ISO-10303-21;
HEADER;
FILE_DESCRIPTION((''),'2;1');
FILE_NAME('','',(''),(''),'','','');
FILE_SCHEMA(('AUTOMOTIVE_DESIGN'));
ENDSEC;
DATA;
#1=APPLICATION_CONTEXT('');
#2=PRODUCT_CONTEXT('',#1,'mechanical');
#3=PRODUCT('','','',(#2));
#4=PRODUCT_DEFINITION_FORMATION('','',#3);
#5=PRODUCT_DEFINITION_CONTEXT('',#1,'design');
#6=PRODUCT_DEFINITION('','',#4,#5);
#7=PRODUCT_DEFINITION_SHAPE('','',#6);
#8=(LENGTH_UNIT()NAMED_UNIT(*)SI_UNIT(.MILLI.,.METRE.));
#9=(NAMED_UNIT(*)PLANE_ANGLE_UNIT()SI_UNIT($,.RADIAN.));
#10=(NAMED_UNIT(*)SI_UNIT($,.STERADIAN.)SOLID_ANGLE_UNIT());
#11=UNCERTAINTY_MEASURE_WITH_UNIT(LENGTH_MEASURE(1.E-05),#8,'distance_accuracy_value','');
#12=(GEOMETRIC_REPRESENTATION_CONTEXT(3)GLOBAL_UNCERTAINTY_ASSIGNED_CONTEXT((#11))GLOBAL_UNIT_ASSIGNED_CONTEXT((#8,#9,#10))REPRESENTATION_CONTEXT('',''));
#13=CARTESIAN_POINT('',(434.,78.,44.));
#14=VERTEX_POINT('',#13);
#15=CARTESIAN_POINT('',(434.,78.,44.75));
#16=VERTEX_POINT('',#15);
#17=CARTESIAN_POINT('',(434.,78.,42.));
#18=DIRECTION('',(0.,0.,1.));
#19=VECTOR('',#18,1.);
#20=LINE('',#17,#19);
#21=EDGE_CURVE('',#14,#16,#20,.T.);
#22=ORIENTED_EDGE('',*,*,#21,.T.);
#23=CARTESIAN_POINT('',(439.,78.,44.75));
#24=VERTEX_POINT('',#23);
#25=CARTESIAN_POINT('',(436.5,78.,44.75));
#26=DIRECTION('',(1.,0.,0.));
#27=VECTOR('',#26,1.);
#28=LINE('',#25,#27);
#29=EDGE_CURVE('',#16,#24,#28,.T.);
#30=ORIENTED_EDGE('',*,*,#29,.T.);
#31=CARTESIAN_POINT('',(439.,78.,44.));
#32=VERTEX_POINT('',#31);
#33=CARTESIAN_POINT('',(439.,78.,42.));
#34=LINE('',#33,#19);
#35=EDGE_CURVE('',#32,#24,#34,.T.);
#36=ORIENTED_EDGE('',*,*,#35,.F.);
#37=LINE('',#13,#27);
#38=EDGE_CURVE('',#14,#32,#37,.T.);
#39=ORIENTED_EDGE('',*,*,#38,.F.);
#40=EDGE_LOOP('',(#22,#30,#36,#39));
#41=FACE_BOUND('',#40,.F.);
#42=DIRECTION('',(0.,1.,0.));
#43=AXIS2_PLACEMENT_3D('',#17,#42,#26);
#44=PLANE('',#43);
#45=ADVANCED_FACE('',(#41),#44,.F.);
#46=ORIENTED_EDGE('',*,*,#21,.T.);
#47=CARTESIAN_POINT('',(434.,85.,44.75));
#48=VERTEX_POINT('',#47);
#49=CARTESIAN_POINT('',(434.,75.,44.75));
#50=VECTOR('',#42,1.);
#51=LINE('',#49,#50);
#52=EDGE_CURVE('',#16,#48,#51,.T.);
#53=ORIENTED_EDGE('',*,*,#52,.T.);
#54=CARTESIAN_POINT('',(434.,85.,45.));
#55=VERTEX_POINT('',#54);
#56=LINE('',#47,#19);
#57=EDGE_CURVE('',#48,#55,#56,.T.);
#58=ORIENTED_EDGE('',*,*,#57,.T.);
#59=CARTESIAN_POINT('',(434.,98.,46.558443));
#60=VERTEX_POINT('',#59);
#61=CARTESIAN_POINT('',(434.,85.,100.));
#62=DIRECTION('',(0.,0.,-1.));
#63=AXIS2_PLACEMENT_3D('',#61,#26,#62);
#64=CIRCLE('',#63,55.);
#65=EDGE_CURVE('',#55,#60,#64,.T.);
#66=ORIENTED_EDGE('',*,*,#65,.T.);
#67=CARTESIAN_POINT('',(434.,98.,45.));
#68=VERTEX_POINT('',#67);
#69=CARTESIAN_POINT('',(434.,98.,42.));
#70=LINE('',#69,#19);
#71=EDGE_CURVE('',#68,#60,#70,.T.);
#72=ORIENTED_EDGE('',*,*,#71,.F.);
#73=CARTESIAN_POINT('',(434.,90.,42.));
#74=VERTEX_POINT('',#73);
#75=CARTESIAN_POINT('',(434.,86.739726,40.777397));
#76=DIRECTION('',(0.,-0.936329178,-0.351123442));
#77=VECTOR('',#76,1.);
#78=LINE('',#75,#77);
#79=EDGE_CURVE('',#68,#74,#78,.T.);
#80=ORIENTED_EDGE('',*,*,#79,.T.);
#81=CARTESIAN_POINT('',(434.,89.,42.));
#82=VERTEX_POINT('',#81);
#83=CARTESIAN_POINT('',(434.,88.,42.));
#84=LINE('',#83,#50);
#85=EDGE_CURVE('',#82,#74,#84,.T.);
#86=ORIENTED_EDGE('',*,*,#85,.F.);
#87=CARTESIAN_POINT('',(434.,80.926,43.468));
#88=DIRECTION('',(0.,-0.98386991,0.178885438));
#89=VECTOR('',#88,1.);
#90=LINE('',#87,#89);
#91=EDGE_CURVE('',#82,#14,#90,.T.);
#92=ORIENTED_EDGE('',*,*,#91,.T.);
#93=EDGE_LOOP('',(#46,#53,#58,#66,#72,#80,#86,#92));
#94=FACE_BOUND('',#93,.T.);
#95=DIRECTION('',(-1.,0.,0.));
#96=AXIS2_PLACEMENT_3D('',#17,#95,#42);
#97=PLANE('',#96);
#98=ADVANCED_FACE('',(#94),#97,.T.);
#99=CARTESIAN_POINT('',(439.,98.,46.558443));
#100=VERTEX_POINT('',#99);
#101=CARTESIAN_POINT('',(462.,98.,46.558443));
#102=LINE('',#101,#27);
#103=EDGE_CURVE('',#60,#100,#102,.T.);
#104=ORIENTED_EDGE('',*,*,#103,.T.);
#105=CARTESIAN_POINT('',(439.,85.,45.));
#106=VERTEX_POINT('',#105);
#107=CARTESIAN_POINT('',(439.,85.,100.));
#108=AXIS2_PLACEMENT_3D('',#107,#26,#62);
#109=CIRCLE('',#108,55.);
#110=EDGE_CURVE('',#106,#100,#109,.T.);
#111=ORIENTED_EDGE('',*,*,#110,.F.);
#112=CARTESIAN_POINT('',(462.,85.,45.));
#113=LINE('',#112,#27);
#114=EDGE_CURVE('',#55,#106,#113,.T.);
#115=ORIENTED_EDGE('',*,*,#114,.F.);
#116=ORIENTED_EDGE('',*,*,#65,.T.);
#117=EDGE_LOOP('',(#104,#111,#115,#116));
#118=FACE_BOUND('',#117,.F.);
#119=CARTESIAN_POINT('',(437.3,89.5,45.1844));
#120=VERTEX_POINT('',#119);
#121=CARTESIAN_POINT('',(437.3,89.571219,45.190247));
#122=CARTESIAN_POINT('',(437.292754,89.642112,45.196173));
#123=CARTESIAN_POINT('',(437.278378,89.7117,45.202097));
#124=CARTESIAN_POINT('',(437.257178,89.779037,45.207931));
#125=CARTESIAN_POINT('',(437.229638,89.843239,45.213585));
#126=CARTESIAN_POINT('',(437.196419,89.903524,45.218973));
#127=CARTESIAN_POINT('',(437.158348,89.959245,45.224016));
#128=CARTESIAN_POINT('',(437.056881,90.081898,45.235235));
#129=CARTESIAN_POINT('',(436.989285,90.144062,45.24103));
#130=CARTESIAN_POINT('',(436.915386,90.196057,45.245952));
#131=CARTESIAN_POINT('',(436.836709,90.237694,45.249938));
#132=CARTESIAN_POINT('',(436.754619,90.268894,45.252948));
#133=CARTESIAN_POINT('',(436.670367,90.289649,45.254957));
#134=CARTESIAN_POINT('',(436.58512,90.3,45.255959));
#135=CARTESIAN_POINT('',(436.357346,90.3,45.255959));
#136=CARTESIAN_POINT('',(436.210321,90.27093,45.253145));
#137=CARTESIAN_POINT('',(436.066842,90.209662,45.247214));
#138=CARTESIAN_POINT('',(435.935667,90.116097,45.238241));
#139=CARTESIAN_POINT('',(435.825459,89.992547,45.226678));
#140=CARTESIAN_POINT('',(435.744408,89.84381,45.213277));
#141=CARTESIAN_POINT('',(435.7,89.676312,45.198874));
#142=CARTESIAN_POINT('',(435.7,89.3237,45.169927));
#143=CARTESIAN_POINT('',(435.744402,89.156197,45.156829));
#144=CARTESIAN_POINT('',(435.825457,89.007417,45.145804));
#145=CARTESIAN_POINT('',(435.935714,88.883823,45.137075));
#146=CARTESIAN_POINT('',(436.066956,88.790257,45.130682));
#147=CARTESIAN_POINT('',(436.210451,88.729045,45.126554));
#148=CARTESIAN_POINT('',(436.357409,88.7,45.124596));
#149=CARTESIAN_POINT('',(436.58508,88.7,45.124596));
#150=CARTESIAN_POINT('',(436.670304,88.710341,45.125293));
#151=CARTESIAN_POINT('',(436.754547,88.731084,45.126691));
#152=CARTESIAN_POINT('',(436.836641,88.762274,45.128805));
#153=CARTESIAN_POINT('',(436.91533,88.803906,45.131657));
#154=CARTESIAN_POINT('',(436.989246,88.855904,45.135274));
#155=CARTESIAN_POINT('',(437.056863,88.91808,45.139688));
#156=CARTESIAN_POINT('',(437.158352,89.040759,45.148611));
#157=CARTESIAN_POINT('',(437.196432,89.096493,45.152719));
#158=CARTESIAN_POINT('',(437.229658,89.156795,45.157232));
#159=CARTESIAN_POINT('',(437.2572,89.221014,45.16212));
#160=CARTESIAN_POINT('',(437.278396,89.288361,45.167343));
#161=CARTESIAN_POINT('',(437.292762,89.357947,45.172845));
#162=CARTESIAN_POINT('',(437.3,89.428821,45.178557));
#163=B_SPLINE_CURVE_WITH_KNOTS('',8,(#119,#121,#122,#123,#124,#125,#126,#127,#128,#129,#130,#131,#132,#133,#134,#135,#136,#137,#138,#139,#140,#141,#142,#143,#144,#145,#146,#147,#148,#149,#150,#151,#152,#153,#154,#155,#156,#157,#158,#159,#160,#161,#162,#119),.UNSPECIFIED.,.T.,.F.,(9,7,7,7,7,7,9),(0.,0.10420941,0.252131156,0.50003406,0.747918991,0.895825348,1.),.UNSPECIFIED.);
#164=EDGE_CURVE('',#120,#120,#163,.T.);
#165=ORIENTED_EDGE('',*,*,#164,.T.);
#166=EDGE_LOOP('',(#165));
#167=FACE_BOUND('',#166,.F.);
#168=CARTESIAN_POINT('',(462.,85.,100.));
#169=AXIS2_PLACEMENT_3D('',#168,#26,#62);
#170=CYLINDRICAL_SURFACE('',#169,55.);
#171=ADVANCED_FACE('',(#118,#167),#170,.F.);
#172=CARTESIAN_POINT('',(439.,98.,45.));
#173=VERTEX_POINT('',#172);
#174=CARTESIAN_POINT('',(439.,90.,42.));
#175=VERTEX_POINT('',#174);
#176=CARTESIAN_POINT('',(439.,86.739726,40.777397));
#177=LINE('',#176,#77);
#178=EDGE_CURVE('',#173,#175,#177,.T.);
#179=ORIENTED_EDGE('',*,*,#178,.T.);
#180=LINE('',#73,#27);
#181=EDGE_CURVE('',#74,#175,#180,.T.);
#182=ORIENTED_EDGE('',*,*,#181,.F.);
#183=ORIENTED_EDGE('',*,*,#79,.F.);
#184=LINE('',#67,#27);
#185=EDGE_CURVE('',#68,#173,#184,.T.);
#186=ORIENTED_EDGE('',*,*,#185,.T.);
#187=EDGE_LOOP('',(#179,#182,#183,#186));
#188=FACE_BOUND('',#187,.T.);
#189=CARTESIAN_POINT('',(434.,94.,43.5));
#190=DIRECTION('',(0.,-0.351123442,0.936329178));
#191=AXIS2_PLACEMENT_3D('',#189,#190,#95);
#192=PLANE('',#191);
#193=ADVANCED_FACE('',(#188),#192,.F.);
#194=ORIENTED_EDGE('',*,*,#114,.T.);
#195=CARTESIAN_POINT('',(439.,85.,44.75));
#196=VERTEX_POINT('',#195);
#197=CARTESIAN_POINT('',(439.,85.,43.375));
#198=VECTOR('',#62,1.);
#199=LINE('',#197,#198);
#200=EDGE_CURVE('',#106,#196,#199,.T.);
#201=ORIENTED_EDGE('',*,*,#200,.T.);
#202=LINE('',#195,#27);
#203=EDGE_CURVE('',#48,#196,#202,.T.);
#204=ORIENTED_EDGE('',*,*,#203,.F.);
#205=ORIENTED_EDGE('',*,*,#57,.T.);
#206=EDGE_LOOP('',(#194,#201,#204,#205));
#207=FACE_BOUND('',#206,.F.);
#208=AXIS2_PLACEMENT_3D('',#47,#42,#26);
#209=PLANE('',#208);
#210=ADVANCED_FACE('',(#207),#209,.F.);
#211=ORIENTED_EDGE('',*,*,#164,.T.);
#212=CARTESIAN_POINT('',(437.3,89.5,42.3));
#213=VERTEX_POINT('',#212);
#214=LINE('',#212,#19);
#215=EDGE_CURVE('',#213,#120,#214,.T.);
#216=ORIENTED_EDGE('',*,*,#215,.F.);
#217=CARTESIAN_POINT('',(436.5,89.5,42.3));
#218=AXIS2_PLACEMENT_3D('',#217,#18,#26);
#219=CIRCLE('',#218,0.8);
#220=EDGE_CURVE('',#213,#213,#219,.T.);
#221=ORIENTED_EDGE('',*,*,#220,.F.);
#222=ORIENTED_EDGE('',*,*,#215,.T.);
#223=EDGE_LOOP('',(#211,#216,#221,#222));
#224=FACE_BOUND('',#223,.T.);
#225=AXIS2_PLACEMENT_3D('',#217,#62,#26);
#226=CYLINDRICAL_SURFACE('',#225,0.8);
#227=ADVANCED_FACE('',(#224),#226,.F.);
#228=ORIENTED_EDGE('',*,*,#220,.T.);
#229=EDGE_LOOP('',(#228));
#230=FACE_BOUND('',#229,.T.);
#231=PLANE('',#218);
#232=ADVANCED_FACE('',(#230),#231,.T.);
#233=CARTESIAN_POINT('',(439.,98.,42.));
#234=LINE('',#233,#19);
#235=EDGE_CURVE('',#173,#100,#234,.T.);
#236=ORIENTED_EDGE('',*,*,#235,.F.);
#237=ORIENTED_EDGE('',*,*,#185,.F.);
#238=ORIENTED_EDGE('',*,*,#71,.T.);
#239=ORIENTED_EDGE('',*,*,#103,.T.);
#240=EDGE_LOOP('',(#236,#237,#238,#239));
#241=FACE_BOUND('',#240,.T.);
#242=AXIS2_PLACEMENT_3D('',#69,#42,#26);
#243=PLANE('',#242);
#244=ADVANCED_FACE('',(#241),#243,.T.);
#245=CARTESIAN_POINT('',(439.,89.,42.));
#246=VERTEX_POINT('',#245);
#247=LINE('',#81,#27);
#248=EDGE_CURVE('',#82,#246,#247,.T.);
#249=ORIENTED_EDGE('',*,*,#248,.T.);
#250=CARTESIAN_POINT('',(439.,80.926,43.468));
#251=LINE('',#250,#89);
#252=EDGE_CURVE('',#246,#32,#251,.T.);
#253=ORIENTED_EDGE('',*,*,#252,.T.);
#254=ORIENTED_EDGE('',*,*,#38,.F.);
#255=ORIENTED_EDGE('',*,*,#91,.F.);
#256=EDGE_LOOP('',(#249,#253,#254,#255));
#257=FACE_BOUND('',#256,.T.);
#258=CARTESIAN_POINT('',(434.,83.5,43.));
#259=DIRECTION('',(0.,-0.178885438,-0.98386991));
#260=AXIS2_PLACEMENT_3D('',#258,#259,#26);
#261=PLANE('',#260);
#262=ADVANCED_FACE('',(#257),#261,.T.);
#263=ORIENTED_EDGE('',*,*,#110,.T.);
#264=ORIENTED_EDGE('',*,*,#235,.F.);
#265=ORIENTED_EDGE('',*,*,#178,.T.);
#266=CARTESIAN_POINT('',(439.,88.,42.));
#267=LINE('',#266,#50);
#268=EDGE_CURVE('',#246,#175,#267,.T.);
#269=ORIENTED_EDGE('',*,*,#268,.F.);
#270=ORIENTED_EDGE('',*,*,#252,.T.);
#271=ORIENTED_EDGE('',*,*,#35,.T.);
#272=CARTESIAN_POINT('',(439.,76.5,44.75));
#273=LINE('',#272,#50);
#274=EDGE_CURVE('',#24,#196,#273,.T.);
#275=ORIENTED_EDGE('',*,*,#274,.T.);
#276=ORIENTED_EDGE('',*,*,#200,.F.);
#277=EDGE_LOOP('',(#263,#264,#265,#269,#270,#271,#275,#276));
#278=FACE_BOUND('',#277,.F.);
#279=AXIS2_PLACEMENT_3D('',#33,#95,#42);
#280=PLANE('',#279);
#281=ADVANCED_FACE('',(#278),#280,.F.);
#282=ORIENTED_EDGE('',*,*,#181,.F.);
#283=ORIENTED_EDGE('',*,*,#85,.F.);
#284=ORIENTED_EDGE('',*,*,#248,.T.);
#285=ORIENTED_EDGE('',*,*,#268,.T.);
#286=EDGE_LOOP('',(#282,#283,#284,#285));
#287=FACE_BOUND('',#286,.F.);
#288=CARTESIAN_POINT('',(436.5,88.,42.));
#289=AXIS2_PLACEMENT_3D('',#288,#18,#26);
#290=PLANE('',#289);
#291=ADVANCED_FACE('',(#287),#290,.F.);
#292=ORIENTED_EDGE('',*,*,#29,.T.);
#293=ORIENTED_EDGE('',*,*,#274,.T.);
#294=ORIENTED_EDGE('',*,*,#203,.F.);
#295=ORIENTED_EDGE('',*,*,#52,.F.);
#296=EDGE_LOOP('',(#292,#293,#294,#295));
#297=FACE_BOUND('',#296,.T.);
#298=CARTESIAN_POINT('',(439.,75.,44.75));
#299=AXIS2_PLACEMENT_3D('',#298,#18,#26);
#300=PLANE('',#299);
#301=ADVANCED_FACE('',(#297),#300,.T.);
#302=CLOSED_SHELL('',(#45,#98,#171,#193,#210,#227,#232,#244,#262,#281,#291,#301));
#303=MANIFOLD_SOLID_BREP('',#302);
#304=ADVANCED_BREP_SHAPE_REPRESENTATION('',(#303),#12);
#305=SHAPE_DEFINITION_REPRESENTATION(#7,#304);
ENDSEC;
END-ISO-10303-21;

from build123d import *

# Parameters (mm, degrees)
CYLINDER1272_R     = 0.8
CYLINDER1272_DEPTH = 10
CYLINDER1273_W     = 55
CYLINDER1273_H     = 60
CYLINDER1273_ANGLE = 80
BOX540_W           = 10
BOX540_H           = 20
BOX540_DEPTH       = 6
BOX539_W           = 5
BOX539_H           = 20
BOX539_DEPTH       = 6
CHAMFER034_SIZE2   = 8
CHAMFER034_SIZE    = 3
CHAMFER035_SIZE2   = 2
CHAMFER035_SIZE    = 11


with BuildPart() as cylinder1443:
    # Cylinder1272 → Cylinder1272 (new body)
    with BuildSketch(Plane(origin=(436.5, 89.5, 42.3), x_dir=(1, 0, 0), z_dir=(0, 0, 1))):
        Circle(CYLINDER1272_R)
    extrude(amount=CYLINDER1272_DEPTH)


with BuildPart() as cylinder1273:
    # Cylinder1273 → Cylinder1273 (revolve)
    with BuildSketch(Plane(origin=(432, 85, 100), x_dir=(0, 0, -1), z_dir=(0, -1, 0))):
        with Locations((27.5, 30)):
            Rectangle(CYLINDER1273_W, CYLINDER1273_H)
    revolve(axis=Axis((432, 85, 100), (1, 0, 0)), revolution_arc=CYLINDER1273_ANGLE)


with BuildPart() as fusion248002050161:
    # Box540 → Box540 (new body)
    with BuildSketch(Plane(origin=(434, 65, 44.75), x_dir=(1, 0, 0), z_dir=(0, 0, 1))):
        with Locations((5, 10)):
            Rectangle(BOX540_W, BOX540_H)
    extrude(amount=BOX540_DEPTH)

    # Fusion248002050161: union Cylinder1273
    add(cylinder1273.part)


with BuildPart() as bucket_tooth:
    # Box539 → Box539 (new body)
    with BuildSketch(Plane(origin=(434, 78, 42), x_dir=(1, 0, 0), z_dir=(0, 0, 1))):
        with Locations((2.5, 10)):
            Rectangle(BOX539_W, BOX539_H)
    extrude(amount=BOX539_DEPTH)

    # Cut014288: cut Fusion248002050161
    add(fusion248002050161.part, mode=Mode.SUBTRACT)

    # Chamfer034
    chamfer034_edges = [bucket_tooth.edges().sort_by_distance(p)[0] for p in [
        (436.5, 98, 42),
    ]]
    chamfer034_side = bucket_tooth.faces().sort_by_distance((436.5, 98, 44.279222))[0]
    chamfer(chamfer034_edges, length=CHAMFER034_SIZE, length2=CHAMFER034_SIZE2, reference=chamfer034_side)

    # Chamfer035
    chamfer035_edges = [bucket_tooth.edges().sort_by_distance(p)[0] for p in [
        (436.5, 78, 42),
    ]]
    chamfer035_side = bucket_tooth.faces().sort_by_distance((436.5, 84, 42))[0]
    chamfer(chamfer035_edges, length=CHAMFER035_SIZE, length2=CHAMFER035_SIZE2, reference=chamfer035_side)

    # Cut014289: cut Cylinder1443
    add(cylinder1443.part, mode=Mode.SUBTRACT)


solid = bucket_tooth.part
